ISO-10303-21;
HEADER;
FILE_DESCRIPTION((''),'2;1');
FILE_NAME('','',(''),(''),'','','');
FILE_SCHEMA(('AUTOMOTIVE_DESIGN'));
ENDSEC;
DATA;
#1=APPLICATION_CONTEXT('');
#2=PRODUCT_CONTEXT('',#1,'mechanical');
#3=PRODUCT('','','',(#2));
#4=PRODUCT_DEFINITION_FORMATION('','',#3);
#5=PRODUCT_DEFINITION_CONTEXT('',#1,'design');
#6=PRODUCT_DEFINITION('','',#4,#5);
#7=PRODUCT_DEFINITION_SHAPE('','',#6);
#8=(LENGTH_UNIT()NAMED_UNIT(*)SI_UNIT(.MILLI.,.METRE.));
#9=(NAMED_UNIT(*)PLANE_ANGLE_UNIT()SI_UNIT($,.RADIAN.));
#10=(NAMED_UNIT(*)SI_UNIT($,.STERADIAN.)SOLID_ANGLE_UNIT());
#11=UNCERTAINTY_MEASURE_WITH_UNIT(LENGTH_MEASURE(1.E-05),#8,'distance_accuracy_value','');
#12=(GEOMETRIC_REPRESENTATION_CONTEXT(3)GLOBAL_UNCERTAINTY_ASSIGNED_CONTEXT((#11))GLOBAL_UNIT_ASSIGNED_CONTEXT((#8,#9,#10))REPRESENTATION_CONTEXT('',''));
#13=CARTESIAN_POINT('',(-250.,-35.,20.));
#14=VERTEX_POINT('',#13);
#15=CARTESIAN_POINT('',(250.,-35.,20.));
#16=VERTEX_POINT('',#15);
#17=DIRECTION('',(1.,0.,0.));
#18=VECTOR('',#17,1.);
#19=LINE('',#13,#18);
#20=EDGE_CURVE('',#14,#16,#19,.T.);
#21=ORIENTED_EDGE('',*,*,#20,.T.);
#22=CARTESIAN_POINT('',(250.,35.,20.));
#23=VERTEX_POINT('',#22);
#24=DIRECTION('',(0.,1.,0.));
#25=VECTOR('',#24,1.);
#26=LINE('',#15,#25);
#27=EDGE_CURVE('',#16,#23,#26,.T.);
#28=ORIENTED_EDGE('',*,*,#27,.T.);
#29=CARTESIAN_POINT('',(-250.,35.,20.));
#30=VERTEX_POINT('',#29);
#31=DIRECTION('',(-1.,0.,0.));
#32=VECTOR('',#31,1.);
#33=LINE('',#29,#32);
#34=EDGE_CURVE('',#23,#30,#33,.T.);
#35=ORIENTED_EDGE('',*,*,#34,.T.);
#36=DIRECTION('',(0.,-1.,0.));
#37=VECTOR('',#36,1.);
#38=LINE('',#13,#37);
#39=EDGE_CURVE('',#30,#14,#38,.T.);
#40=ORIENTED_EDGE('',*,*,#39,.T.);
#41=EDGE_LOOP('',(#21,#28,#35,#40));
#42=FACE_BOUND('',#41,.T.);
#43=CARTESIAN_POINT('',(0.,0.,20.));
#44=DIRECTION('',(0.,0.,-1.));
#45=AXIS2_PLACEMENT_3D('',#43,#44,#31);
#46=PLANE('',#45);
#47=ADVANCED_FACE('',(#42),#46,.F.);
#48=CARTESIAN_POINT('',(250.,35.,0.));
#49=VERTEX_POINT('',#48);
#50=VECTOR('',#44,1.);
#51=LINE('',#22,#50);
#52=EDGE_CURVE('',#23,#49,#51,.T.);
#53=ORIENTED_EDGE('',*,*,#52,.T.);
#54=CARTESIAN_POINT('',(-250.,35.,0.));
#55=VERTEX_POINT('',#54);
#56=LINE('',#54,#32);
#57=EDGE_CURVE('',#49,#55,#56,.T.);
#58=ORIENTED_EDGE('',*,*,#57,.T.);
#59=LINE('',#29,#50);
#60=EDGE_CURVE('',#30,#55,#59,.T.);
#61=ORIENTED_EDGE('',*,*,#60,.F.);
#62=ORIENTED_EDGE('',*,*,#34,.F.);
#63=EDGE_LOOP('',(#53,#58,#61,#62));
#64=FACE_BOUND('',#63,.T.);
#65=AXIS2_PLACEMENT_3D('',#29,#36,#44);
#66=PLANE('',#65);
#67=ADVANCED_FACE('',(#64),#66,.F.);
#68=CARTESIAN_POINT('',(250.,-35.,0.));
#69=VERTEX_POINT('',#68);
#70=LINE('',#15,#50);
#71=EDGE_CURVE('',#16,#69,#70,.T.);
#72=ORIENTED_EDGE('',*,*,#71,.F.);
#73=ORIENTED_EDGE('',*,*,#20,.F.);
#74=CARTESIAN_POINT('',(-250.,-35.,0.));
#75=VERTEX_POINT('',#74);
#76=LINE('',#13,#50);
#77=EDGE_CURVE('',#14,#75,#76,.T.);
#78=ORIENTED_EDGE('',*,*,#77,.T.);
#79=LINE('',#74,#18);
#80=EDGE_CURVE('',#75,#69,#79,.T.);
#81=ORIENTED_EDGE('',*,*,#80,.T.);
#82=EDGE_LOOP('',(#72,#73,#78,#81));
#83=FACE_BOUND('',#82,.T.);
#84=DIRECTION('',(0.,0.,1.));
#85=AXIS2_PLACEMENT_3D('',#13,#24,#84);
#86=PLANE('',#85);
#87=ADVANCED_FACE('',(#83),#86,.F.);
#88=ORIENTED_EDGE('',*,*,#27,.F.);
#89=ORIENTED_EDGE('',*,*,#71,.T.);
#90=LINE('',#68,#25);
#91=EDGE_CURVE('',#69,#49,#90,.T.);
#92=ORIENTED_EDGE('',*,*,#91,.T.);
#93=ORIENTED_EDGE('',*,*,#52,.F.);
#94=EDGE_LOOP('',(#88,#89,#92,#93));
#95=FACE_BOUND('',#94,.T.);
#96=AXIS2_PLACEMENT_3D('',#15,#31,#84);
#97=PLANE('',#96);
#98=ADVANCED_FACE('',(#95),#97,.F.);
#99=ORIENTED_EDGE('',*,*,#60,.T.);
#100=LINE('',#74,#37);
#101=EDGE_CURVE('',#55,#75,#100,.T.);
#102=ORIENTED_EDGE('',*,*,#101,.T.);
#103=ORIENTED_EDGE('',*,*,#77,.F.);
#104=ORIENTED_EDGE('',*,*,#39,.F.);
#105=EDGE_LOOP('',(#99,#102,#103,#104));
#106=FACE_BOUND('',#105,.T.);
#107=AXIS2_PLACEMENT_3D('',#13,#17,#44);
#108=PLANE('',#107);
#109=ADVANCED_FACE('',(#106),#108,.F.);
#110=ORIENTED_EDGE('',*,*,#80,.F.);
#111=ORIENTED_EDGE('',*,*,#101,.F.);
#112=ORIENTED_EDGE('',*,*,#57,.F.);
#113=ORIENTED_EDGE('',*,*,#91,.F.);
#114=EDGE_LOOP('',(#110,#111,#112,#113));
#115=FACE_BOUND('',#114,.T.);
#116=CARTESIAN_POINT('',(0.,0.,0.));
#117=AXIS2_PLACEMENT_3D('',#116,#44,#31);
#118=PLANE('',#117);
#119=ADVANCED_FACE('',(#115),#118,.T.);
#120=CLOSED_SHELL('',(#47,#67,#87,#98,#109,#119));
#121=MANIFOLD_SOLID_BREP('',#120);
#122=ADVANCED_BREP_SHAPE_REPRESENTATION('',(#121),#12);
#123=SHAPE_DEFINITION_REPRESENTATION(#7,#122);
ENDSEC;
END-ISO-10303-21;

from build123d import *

# Parameters (mm, degrees)
SKETCH_1_W      = 500
SKETCH_1_H      = 70
EXTRUDE_1_DEPTH = 20


with BuildPart() as part:
    # 草图1 → 凸台-拉伸1 (new body)
    with BuildSketch(Plane.XY):
        Rectangle(SKETCH_1_W, SKETCH_1_H)
    extrude(amount=EXTRUDE_1_DEPTH)


solid = part.part
